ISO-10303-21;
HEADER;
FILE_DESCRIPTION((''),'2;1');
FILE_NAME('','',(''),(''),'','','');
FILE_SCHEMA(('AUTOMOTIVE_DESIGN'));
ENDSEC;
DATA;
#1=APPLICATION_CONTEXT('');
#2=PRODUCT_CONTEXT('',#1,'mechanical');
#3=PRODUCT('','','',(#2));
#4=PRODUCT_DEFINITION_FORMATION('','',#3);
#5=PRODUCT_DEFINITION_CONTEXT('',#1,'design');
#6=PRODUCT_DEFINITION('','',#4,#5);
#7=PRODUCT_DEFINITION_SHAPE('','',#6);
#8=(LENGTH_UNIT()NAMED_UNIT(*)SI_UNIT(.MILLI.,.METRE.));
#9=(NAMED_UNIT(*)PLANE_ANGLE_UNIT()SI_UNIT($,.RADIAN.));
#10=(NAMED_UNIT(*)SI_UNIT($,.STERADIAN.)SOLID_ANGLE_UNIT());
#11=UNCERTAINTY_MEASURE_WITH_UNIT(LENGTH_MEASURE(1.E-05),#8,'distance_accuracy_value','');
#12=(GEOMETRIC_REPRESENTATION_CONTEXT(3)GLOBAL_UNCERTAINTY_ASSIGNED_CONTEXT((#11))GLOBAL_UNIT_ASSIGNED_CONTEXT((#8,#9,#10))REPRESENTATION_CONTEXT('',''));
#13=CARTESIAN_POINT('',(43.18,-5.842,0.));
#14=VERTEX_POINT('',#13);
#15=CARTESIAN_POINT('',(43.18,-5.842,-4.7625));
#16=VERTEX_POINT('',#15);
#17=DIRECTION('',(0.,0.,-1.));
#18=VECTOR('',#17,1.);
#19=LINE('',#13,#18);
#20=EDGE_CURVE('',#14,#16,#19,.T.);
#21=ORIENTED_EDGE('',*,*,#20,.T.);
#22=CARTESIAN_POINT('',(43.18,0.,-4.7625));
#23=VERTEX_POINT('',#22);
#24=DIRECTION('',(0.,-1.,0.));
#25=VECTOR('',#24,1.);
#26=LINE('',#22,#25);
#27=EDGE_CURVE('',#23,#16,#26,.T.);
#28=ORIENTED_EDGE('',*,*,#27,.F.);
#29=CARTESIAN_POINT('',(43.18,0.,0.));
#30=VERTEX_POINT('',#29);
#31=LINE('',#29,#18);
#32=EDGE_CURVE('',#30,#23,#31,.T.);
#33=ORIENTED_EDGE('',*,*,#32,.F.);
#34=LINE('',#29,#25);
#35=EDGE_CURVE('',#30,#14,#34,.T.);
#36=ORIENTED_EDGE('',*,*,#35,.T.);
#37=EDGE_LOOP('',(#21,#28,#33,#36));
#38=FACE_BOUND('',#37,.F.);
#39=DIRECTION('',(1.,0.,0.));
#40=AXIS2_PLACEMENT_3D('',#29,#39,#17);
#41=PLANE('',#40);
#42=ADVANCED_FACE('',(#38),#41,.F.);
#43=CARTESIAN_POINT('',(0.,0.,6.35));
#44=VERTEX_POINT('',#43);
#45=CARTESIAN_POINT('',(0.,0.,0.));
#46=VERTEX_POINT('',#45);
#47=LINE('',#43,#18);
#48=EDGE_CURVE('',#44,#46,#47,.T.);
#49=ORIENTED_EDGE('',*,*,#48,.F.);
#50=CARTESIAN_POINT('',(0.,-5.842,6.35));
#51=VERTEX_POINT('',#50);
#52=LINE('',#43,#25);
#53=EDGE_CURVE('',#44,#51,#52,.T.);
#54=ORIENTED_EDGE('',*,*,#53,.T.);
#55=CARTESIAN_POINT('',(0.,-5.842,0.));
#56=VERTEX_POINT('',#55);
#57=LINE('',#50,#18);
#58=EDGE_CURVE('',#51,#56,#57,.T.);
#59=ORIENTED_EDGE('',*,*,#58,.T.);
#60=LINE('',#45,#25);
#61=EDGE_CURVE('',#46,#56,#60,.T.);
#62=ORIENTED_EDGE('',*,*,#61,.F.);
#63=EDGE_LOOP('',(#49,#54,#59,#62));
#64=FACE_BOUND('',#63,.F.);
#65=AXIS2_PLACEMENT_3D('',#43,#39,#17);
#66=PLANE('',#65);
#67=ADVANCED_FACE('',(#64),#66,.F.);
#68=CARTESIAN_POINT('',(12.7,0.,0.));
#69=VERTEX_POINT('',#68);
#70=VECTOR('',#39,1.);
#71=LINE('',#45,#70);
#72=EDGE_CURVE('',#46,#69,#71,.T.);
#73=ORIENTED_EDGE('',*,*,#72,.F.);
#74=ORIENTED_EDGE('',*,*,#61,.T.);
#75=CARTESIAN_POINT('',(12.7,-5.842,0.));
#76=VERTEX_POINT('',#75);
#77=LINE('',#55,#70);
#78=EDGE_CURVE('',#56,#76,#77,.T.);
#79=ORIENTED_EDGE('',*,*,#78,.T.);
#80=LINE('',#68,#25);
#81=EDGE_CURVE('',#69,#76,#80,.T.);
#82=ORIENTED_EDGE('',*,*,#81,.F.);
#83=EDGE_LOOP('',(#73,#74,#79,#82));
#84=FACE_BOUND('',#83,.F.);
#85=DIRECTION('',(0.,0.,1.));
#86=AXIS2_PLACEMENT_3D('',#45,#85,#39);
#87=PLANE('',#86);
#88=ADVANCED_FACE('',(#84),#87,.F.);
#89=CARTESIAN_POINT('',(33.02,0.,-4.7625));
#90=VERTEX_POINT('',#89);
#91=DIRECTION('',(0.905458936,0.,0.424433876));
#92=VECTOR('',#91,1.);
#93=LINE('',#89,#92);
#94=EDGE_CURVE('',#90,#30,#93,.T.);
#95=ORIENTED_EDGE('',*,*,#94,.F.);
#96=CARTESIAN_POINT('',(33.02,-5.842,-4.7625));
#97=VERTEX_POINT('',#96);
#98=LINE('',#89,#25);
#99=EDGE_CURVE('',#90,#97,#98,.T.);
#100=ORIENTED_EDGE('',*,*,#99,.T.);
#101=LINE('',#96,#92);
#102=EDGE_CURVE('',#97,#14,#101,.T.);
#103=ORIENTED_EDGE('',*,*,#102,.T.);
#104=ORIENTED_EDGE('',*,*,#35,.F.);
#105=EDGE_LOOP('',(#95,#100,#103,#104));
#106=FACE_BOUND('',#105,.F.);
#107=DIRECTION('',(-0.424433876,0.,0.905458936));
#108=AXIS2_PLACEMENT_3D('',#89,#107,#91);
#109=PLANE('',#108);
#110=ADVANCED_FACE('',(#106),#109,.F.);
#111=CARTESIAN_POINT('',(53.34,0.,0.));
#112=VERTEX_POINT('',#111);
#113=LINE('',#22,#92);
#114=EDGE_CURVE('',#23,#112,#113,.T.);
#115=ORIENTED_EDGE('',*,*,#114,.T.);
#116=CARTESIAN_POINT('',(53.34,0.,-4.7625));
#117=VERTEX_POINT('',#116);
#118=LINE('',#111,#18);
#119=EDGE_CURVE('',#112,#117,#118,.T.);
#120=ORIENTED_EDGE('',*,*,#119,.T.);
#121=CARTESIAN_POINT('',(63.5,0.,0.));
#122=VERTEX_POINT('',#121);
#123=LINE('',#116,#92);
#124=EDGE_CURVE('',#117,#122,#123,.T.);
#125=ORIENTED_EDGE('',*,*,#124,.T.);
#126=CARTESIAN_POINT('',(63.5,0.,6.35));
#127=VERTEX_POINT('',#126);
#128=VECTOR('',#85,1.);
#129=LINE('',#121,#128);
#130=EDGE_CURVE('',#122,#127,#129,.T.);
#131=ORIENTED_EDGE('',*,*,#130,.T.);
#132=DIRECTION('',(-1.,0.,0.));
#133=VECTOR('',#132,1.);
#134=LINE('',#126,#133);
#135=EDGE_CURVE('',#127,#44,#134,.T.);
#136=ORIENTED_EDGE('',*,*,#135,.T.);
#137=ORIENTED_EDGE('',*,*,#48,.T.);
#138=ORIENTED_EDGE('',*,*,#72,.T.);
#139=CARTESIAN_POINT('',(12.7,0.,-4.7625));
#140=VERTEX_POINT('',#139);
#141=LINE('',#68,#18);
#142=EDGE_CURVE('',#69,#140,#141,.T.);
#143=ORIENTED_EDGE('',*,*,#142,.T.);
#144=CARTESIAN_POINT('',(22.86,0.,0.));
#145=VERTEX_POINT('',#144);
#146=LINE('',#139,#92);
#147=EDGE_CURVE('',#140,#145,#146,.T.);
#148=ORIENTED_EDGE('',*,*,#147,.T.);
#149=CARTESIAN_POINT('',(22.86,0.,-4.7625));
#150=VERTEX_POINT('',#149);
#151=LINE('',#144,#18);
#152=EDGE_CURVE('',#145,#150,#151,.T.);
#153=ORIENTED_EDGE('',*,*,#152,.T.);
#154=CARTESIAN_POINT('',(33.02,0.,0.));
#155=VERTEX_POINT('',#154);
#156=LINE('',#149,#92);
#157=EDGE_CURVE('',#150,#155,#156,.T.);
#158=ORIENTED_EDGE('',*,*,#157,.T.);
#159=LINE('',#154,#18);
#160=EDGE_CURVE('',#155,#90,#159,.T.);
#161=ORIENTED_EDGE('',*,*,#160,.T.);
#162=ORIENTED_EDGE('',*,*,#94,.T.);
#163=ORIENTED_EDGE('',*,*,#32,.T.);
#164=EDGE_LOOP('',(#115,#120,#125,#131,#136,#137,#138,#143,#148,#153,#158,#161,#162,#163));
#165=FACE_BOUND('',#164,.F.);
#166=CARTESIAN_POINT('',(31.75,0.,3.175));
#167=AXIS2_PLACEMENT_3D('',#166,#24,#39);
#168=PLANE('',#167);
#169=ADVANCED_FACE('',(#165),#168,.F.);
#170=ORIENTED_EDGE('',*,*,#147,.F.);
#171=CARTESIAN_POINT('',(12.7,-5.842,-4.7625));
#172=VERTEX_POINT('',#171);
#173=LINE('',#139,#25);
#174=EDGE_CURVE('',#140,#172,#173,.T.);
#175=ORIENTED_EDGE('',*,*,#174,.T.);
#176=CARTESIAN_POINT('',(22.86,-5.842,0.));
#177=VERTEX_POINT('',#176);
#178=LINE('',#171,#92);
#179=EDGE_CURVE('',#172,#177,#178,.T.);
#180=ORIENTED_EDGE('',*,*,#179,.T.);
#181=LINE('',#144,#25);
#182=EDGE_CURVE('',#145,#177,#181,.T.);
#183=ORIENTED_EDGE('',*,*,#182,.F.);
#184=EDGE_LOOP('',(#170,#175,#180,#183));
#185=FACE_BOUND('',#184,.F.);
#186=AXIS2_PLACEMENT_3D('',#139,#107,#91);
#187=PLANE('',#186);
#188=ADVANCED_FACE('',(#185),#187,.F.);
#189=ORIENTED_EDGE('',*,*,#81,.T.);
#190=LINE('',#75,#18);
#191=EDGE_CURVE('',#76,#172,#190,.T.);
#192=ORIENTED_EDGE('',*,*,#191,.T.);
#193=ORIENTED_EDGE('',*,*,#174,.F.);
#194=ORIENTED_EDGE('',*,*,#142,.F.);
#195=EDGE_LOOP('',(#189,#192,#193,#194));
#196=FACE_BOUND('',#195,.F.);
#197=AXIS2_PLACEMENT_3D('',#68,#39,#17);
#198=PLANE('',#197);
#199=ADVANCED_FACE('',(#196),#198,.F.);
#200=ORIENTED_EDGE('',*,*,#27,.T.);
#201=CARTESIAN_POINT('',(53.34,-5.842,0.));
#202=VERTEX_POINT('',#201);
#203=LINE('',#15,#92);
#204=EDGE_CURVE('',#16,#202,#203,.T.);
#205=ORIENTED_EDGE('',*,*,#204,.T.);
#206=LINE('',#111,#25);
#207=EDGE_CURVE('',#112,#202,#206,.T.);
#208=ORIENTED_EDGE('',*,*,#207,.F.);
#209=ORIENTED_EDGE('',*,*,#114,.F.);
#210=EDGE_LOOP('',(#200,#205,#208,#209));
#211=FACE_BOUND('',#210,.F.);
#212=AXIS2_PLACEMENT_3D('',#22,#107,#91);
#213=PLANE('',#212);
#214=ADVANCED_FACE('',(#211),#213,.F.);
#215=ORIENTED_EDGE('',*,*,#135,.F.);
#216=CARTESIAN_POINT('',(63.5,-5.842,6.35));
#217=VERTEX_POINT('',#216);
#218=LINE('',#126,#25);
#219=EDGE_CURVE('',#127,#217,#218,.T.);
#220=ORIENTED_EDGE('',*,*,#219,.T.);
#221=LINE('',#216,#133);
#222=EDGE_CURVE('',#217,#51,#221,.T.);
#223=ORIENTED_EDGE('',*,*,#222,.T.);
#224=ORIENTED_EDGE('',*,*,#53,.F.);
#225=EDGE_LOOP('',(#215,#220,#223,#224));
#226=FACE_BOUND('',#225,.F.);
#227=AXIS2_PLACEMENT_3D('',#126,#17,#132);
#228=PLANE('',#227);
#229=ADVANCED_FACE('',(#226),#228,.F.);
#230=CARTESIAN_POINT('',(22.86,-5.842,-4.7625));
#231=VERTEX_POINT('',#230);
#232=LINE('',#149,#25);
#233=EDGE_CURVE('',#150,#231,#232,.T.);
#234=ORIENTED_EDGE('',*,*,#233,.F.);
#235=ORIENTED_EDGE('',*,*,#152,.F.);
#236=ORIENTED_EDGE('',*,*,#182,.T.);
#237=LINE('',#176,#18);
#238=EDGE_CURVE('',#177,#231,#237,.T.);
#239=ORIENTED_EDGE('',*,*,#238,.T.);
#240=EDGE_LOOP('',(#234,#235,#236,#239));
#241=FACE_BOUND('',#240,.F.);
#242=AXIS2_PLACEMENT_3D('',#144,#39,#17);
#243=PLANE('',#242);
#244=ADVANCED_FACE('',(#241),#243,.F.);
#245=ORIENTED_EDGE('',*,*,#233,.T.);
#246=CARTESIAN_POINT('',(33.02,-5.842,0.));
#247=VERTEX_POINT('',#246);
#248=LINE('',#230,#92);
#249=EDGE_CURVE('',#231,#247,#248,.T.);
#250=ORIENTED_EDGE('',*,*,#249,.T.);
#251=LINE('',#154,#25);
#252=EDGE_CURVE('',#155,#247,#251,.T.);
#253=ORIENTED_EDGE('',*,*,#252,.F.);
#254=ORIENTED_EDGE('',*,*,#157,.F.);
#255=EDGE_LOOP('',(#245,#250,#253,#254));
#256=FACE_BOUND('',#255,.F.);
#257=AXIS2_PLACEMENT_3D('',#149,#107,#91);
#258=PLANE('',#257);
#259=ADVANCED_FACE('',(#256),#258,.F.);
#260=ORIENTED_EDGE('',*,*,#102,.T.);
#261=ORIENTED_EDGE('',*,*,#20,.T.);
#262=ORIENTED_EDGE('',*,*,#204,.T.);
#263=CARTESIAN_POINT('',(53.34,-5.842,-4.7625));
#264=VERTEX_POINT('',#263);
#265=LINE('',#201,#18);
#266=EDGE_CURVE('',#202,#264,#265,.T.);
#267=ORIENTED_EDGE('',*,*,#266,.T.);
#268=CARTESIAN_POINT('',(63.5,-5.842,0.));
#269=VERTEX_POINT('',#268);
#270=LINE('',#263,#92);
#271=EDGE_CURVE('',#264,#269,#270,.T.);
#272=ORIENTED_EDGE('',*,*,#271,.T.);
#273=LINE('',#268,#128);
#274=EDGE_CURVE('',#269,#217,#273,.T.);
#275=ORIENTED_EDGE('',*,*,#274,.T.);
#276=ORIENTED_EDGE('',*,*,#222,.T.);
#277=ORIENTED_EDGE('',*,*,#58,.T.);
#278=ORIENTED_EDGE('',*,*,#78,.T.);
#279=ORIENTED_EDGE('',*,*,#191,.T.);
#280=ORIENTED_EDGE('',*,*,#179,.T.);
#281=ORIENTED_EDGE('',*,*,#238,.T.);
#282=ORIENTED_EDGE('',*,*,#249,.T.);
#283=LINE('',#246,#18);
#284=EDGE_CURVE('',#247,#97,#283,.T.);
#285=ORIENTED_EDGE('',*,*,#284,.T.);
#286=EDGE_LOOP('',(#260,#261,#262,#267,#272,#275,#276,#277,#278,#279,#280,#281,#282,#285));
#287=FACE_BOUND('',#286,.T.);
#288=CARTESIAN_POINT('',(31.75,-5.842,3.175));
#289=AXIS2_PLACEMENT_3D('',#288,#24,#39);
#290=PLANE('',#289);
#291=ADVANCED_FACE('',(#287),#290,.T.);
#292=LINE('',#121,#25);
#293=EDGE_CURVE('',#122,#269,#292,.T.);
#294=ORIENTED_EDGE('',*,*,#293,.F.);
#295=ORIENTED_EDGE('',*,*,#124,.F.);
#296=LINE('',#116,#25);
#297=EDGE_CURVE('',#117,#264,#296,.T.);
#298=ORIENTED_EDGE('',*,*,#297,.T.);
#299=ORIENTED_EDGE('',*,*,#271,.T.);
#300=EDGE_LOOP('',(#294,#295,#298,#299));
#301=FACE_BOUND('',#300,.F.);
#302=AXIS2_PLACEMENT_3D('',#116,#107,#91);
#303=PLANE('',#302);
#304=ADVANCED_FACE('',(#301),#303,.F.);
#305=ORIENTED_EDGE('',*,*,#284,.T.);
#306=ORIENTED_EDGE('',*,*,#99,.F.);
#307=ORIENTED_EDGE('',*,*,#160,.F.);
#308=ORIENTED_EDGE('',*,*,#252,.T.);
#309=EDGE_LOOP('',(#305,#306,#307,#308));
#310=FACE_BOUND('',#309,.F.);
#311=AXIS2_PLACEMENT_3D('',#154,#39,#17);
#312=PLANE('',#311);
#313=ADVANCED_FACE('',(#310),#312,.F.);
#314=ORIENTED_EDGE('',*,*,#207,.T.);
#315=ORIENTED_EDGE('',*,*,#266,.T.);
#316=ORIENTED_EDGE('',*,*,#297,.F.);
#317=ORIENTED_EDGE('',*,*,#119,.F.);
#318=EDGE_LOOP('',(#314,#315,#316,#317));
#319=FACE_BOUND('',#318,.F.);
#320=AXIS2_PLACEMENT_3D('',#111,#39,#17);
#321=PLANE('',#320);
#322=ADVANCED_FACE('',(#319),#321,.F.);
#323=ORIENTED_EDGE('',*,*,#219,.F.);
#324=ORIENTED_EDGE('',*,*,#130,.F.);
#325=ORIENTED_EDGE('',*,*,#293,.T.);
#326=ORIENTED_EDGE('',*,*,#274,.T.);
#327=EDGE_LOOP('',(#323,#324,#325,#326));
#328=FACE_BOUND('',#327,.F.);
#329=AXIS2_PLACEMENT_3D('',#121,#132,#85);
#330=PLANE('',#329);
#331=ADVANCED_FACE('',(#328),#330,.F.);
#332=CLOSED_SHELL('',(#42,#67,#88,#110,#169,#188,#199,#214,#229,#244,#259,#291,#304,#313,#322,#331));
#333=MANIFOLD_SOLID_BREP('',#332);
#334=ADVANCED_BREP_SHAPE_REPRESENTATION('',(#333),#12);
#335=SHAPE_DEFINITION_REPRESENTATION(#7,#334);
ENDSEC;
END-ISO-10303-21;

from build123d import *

# Parameters (mm, degrees)
F1_DEPTH = 5.842


with BuildPart() as f1:
    # F0 (on Front) → F1 (new body)
    with BuildSketch(Plane.XZ):
        Polygon((0, 6.35), (0, 0), (12.7, 0), (22.86, 0), (33.02, 0), (43.18, 0), (53.34, 0), (63.5, 0), (63.5, 6.35), align=None)
        Polygon((22.86, 0), (12.7, 0), (12.7, -4.7625), align=None)
        Polygon((33.02, 0), (22.86, 0), (22.86, -4.7625), align=None)
        Polygon((43.18, 0), (33.02, 0), (33.02, -4.7625), align=None)
        Polygon((53.34, -4.7625), (63.5, 0), (53.34, 0), align=None)
        Polygon((53.34, 0), (43.18, 0), (43.18, -4.7625), align=None)
    extrude(amount=F1_DEPTH)


solid = f1.part
